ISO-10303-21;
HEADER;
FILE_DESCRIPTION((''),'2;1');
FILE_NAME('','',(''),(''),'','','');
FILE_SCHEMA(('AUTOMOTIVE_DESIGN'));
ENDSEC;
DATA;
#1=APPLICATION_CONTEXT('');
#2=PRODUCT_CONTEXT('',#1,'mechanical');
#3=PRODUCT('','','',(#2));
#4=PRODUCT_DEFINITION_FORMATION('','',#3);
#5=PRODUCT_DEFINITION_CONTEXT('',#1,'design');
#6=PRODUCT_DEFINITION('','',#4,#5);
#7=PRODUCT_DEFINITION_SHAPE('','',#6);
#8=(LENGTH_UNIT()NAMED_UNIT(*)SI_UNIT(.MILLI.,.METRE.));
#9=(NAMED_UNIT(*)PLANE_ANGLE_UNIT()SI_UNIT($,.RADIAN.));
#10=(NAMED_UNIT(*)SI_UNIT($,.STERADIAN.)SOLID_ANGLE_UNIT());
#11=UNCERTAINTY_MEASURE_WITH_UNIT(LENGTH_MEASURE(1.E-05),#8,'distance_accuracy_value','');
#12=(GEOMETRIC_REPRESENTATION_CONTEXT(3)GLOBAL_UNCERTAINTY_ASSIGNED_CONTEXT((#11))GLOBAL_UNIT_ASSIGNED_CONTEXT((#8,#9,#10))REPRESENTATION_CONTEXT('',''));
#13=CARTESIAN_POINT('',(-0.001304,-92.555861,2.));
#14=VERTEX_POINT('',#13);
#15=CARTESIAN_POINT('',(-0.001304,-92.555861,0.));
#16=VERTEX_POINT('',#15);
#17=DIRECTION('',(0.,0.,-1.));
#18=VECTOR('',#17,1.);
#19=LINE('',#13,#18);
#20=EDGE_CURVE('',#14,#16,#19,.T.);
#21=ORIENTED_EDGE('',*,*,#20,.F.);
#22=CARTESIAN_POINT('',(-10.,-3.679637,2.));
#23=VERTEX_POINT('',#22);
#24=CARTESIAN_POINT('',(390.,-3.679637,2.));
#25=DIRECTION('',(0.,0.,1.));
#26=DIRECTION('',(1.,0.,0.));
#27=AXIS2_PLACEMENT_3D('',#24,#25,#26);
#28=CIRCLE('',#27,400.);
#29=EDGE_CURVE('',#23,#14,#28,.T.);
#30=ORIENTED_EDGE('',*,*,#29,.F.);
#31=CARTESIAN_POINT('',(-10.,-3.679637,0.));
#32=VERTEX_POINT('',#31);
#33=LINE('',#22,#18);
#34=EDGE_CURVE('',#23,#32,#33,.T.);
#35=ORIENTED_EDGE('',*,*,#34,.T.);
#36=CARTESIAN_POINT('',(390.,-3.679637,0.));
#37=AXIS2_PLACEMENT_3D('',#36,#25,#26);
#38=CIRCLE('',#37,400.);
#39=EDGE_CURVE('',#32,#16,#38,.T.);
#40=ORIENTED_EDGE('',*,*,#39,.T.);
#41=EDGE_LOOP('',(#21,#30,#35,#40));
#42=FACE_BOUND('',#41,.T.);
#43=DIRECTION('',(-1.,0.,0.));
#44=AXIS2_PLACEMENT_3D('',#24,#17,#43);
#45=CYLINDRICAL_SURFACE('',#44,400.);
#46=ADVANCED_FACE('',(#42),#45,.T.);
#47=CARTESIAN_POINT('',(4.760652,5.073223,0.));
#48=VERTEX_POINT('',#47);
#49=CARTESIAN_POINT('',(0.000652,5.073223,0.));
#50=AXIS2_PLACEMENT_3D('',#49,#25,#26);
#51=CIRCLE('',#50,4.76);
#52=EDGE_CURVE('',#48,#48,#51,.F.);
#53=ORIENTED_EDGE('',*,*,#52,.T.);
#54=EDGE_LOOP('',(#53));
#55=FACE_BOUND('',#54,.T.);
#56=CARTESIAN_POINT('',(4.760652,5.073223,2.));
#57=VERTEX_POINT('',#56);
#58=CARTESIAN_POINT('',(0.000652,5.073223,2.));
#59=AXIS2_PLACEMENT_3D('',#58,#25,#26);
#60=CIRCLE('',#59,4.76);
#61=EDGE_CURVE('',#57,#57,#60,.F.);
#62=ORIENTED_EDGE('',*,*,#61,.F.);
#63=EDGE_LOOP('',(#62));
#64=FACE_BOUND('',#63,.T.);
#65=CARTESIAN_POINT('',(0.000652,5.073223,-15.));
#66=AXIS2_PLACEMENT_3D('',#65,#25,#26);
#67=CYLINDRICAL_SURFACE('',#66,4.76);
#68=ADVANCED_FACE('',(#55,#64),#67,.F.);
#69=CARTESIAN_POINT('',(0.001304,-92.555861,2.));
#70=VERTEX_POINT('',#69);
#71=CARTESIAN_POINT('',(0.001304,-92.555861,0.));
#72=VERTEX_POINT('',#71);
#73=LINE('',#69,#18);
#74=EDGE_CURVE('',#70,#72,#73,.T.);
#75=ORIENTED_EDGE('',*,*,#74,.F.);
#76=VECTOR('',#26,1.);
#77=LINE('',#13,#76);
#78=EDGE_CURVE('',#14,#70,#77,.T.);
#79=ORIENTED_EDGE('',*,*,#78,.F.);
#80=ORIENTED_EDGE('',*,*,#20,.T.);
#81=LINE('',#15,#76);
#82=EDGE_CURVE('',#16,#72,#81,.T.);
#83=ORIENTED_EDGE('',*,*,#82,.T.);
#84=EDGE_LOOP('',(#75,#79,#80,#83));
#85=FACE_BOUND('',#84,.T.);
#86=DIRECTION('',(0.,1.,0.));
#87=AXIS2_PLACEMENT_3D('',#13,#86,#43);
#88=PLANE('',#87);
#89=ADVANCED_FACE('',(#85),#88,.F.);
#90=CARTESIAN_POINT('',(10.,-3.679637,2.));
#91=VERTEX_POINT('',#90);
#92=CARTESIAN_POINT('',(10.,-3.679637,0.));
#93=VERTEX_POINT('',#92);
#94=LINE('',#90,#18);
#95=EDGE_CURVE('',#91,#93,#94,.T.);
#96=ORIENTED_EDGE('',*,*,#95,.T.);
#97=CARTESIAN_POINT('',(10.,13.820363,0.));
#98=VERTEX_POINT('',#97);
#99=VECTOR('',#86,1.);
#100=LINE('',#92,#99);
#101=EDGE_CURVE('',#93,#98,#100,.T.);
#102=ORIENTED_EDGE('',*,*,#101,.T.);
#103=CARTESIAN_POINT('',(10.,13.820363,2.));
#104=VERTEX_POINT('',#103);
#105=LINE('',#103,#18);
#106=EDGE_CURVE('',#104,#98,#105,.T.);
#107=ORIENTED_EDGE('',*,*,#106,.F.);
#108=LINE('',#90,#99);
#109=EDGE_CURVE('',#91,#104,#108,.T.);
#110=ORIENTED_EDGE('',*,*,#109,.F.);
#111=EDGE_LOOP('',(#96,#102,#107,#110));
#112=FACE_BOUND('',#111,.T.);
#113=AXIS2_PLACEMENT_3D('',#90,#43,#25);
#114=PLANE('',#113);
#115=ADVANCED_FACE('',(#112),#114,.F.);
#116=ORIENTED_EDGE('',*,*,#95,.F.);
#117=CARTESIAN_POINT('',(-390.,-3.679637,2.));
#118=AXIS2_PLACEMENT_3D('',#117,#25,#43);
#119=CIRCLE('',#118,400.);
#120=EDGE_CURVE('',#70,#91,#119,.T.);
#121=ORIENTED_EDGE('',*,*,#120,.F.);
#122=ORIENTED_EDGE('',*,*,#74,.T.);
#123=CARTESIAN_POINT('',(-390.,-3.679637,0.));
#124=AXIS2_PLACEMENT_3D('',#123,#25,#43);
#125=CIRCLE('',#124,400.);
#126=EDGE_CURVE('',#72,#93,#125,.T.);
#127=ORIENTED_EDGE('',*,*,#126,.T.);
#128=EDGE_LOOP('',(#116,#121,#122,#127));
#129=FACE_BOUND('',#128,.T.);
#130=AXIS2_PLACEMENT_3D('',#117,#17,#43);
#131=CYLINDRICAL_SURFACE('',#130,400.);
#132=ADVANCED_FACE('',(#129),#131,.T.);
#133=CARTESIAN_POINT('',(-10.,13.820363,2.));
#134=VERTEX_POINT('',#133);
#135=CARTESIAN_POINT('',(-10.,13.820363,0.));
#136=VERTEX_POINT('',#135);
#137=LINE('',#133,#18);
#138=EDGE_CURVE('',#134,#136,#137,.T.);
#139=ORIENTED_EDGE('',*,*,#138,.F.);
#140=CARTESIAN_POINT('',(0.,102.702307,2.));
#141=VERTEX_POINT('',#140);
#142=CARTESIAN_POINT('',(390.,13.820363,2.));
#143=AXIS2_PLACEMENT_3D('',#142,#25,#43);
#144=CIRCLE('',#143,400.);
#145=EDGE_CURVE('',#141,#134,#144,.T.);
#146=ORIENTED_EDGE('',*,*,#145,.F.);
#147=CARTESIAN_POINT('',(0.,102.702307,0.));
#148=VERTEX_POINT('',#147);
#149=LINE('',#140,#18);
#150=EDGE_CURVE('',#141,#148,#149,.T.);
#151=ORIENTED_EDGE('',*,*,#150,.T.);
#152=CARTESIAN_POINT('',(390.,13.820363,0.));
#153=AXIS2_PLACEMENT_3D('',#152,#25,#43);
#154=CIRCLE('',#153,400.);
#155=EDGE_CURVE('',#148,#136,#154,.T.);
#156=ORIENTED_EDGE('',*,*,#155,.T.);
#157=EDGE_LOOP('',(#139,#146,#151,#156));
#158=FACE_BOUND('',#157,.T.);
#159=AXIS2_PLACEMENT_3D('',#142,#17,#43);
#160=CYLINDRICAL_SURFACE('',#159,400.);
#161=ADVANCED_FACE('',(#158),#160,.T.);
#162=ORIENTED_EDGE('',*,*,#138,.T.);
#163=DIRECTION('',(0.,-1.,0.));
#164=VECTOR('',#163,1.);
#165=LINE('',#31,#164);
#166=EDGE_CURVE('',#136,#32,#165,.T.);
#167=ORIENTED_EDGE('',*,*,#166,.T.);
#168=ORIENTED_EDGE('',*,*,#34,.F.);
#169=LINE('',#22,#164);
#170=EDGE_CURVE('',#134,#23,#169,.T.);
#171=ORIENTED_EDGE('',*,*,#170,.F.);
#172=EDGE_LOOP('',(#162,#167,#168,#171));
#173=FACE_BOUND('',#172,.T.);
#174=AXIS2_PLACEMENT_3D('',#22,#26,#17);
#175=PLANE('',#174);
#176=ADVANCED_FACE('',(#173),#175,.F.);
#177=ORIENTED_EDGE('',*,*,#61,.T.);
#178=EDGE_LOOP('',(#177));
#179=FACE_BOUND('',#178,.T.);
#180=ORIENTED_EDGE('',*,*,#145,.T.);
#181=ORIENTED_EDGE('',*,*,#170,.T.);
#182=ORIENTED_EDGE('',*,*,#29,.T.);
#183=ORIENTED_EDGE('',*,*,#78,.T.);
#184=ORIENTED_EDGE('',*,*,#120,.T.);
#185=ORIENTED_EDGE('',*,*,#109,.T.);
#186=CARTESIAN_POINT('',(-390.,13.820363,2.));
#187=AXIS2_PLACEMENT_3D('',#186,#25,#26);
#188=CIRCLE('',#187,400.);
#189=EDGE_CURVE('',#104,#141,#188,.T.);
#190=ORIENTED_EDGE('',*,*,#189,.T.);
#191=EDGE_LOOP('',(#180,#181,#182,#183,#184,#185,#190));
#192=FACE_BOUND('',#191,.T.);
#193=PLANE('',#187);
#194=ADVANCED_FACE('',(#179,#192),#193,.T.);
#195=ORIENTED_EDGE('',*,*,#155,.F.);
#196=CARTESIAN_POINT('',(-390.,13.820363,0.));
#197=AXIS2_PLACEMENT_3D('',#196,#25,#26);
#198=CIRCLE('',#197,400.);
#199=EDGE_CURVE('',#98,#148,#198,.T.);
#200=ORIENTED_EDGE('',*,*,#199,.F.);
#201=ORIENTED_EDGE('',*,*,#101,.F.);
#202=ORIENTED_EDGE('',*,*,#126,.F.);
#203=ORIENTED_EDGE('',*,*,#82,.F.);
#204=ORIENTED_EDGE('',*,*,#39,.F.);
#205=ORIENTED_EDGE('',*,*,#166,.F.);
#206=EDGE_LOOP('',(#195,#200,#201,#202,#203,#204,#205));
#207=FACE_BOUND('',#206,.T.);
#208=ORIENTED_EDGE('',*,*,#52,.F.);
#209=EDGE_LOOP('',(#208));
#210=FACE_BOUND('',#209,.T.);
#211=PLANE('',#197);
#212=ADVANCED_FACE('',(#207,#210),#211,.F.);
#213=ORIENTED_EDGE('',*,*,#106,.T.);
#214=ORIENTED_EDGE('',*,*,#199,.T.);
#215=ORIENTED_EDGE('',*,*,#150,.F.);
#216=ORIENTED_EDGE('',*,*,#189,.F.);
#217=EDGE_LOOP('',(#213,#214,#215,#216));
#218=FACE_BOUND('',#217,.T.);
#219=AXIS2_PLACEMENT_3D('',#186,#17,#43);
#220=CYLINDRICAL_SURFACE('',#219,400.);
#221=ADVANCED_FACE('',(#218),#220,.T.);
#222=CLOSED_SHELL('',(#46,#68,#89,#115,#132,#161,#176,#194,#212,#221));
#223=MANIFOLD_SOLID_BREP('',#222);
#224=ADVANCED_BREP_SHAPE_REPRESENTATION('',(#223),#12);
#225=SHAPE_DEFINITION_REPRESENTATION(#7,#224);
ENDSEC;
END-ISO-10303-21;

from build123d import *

# Parameters (mm, degrees)
BOSS_EXTRUDE1_DEPTH     = 2
SKETCH9_R               = 4.76
CUT_EXTRUDE1_DEPTH      = 15
CUT_EXTRUDE1_DEPTH_BACK = 16


with BuildPart() as part:
    # Sketch2 → Boss-Extrude1 (new body)
    with BuildSketch(Plane.XY):
        with BuildLine():
            Line((-10, -3.679637035), (-10, 13.820362965))
            ThreePointArc((-10, 13.820362965), (-7.492138287, 58.541722515), (0, 102.702307138))
            ThreePointArc((0, 102.702307138), (7.492138287, 58.541722515), (10, 13.820362965))
            Line((10, 13.820362965), (10, -3.679637035))
            ThreePointArc((10, -3.679637035), (7.492466261, -48.398081393), (0.001303671, -92.555860711))
            Line((0.001303671, -92.555860711), (-0.001303671, -92.555860711))
            ThreePointArc((-0.001303671, -92.555860711), (-7.492466261, -48.398081393), (-10, -3.679637035))
        make_face()
    extrude(amount=BOSS_EXTRUDE1_DEPTH)

    # Sketch9 → Cut-Extrude1 (cut, two sides)
    with BuildSketch(Plane(origin=(0, 0, 0), x_dir=(-1, 0, 0), z_dir=(0, 0, -1))) as cut_extrude1_sk:
        with Locations((-0.000651835, 5.073223214)):
            Circle(SKETCH9_R)
    extrude(amount=CUT_EXTRUDE1_DEPTH, mode=Mode.SUBTRACT)
    extrude(cut_extrude1_sk.sketch, amount=-CUT_EXTRUDE1_DEPTH_BACK, mode=Mode.SUBTRACT)


solid = part.part
